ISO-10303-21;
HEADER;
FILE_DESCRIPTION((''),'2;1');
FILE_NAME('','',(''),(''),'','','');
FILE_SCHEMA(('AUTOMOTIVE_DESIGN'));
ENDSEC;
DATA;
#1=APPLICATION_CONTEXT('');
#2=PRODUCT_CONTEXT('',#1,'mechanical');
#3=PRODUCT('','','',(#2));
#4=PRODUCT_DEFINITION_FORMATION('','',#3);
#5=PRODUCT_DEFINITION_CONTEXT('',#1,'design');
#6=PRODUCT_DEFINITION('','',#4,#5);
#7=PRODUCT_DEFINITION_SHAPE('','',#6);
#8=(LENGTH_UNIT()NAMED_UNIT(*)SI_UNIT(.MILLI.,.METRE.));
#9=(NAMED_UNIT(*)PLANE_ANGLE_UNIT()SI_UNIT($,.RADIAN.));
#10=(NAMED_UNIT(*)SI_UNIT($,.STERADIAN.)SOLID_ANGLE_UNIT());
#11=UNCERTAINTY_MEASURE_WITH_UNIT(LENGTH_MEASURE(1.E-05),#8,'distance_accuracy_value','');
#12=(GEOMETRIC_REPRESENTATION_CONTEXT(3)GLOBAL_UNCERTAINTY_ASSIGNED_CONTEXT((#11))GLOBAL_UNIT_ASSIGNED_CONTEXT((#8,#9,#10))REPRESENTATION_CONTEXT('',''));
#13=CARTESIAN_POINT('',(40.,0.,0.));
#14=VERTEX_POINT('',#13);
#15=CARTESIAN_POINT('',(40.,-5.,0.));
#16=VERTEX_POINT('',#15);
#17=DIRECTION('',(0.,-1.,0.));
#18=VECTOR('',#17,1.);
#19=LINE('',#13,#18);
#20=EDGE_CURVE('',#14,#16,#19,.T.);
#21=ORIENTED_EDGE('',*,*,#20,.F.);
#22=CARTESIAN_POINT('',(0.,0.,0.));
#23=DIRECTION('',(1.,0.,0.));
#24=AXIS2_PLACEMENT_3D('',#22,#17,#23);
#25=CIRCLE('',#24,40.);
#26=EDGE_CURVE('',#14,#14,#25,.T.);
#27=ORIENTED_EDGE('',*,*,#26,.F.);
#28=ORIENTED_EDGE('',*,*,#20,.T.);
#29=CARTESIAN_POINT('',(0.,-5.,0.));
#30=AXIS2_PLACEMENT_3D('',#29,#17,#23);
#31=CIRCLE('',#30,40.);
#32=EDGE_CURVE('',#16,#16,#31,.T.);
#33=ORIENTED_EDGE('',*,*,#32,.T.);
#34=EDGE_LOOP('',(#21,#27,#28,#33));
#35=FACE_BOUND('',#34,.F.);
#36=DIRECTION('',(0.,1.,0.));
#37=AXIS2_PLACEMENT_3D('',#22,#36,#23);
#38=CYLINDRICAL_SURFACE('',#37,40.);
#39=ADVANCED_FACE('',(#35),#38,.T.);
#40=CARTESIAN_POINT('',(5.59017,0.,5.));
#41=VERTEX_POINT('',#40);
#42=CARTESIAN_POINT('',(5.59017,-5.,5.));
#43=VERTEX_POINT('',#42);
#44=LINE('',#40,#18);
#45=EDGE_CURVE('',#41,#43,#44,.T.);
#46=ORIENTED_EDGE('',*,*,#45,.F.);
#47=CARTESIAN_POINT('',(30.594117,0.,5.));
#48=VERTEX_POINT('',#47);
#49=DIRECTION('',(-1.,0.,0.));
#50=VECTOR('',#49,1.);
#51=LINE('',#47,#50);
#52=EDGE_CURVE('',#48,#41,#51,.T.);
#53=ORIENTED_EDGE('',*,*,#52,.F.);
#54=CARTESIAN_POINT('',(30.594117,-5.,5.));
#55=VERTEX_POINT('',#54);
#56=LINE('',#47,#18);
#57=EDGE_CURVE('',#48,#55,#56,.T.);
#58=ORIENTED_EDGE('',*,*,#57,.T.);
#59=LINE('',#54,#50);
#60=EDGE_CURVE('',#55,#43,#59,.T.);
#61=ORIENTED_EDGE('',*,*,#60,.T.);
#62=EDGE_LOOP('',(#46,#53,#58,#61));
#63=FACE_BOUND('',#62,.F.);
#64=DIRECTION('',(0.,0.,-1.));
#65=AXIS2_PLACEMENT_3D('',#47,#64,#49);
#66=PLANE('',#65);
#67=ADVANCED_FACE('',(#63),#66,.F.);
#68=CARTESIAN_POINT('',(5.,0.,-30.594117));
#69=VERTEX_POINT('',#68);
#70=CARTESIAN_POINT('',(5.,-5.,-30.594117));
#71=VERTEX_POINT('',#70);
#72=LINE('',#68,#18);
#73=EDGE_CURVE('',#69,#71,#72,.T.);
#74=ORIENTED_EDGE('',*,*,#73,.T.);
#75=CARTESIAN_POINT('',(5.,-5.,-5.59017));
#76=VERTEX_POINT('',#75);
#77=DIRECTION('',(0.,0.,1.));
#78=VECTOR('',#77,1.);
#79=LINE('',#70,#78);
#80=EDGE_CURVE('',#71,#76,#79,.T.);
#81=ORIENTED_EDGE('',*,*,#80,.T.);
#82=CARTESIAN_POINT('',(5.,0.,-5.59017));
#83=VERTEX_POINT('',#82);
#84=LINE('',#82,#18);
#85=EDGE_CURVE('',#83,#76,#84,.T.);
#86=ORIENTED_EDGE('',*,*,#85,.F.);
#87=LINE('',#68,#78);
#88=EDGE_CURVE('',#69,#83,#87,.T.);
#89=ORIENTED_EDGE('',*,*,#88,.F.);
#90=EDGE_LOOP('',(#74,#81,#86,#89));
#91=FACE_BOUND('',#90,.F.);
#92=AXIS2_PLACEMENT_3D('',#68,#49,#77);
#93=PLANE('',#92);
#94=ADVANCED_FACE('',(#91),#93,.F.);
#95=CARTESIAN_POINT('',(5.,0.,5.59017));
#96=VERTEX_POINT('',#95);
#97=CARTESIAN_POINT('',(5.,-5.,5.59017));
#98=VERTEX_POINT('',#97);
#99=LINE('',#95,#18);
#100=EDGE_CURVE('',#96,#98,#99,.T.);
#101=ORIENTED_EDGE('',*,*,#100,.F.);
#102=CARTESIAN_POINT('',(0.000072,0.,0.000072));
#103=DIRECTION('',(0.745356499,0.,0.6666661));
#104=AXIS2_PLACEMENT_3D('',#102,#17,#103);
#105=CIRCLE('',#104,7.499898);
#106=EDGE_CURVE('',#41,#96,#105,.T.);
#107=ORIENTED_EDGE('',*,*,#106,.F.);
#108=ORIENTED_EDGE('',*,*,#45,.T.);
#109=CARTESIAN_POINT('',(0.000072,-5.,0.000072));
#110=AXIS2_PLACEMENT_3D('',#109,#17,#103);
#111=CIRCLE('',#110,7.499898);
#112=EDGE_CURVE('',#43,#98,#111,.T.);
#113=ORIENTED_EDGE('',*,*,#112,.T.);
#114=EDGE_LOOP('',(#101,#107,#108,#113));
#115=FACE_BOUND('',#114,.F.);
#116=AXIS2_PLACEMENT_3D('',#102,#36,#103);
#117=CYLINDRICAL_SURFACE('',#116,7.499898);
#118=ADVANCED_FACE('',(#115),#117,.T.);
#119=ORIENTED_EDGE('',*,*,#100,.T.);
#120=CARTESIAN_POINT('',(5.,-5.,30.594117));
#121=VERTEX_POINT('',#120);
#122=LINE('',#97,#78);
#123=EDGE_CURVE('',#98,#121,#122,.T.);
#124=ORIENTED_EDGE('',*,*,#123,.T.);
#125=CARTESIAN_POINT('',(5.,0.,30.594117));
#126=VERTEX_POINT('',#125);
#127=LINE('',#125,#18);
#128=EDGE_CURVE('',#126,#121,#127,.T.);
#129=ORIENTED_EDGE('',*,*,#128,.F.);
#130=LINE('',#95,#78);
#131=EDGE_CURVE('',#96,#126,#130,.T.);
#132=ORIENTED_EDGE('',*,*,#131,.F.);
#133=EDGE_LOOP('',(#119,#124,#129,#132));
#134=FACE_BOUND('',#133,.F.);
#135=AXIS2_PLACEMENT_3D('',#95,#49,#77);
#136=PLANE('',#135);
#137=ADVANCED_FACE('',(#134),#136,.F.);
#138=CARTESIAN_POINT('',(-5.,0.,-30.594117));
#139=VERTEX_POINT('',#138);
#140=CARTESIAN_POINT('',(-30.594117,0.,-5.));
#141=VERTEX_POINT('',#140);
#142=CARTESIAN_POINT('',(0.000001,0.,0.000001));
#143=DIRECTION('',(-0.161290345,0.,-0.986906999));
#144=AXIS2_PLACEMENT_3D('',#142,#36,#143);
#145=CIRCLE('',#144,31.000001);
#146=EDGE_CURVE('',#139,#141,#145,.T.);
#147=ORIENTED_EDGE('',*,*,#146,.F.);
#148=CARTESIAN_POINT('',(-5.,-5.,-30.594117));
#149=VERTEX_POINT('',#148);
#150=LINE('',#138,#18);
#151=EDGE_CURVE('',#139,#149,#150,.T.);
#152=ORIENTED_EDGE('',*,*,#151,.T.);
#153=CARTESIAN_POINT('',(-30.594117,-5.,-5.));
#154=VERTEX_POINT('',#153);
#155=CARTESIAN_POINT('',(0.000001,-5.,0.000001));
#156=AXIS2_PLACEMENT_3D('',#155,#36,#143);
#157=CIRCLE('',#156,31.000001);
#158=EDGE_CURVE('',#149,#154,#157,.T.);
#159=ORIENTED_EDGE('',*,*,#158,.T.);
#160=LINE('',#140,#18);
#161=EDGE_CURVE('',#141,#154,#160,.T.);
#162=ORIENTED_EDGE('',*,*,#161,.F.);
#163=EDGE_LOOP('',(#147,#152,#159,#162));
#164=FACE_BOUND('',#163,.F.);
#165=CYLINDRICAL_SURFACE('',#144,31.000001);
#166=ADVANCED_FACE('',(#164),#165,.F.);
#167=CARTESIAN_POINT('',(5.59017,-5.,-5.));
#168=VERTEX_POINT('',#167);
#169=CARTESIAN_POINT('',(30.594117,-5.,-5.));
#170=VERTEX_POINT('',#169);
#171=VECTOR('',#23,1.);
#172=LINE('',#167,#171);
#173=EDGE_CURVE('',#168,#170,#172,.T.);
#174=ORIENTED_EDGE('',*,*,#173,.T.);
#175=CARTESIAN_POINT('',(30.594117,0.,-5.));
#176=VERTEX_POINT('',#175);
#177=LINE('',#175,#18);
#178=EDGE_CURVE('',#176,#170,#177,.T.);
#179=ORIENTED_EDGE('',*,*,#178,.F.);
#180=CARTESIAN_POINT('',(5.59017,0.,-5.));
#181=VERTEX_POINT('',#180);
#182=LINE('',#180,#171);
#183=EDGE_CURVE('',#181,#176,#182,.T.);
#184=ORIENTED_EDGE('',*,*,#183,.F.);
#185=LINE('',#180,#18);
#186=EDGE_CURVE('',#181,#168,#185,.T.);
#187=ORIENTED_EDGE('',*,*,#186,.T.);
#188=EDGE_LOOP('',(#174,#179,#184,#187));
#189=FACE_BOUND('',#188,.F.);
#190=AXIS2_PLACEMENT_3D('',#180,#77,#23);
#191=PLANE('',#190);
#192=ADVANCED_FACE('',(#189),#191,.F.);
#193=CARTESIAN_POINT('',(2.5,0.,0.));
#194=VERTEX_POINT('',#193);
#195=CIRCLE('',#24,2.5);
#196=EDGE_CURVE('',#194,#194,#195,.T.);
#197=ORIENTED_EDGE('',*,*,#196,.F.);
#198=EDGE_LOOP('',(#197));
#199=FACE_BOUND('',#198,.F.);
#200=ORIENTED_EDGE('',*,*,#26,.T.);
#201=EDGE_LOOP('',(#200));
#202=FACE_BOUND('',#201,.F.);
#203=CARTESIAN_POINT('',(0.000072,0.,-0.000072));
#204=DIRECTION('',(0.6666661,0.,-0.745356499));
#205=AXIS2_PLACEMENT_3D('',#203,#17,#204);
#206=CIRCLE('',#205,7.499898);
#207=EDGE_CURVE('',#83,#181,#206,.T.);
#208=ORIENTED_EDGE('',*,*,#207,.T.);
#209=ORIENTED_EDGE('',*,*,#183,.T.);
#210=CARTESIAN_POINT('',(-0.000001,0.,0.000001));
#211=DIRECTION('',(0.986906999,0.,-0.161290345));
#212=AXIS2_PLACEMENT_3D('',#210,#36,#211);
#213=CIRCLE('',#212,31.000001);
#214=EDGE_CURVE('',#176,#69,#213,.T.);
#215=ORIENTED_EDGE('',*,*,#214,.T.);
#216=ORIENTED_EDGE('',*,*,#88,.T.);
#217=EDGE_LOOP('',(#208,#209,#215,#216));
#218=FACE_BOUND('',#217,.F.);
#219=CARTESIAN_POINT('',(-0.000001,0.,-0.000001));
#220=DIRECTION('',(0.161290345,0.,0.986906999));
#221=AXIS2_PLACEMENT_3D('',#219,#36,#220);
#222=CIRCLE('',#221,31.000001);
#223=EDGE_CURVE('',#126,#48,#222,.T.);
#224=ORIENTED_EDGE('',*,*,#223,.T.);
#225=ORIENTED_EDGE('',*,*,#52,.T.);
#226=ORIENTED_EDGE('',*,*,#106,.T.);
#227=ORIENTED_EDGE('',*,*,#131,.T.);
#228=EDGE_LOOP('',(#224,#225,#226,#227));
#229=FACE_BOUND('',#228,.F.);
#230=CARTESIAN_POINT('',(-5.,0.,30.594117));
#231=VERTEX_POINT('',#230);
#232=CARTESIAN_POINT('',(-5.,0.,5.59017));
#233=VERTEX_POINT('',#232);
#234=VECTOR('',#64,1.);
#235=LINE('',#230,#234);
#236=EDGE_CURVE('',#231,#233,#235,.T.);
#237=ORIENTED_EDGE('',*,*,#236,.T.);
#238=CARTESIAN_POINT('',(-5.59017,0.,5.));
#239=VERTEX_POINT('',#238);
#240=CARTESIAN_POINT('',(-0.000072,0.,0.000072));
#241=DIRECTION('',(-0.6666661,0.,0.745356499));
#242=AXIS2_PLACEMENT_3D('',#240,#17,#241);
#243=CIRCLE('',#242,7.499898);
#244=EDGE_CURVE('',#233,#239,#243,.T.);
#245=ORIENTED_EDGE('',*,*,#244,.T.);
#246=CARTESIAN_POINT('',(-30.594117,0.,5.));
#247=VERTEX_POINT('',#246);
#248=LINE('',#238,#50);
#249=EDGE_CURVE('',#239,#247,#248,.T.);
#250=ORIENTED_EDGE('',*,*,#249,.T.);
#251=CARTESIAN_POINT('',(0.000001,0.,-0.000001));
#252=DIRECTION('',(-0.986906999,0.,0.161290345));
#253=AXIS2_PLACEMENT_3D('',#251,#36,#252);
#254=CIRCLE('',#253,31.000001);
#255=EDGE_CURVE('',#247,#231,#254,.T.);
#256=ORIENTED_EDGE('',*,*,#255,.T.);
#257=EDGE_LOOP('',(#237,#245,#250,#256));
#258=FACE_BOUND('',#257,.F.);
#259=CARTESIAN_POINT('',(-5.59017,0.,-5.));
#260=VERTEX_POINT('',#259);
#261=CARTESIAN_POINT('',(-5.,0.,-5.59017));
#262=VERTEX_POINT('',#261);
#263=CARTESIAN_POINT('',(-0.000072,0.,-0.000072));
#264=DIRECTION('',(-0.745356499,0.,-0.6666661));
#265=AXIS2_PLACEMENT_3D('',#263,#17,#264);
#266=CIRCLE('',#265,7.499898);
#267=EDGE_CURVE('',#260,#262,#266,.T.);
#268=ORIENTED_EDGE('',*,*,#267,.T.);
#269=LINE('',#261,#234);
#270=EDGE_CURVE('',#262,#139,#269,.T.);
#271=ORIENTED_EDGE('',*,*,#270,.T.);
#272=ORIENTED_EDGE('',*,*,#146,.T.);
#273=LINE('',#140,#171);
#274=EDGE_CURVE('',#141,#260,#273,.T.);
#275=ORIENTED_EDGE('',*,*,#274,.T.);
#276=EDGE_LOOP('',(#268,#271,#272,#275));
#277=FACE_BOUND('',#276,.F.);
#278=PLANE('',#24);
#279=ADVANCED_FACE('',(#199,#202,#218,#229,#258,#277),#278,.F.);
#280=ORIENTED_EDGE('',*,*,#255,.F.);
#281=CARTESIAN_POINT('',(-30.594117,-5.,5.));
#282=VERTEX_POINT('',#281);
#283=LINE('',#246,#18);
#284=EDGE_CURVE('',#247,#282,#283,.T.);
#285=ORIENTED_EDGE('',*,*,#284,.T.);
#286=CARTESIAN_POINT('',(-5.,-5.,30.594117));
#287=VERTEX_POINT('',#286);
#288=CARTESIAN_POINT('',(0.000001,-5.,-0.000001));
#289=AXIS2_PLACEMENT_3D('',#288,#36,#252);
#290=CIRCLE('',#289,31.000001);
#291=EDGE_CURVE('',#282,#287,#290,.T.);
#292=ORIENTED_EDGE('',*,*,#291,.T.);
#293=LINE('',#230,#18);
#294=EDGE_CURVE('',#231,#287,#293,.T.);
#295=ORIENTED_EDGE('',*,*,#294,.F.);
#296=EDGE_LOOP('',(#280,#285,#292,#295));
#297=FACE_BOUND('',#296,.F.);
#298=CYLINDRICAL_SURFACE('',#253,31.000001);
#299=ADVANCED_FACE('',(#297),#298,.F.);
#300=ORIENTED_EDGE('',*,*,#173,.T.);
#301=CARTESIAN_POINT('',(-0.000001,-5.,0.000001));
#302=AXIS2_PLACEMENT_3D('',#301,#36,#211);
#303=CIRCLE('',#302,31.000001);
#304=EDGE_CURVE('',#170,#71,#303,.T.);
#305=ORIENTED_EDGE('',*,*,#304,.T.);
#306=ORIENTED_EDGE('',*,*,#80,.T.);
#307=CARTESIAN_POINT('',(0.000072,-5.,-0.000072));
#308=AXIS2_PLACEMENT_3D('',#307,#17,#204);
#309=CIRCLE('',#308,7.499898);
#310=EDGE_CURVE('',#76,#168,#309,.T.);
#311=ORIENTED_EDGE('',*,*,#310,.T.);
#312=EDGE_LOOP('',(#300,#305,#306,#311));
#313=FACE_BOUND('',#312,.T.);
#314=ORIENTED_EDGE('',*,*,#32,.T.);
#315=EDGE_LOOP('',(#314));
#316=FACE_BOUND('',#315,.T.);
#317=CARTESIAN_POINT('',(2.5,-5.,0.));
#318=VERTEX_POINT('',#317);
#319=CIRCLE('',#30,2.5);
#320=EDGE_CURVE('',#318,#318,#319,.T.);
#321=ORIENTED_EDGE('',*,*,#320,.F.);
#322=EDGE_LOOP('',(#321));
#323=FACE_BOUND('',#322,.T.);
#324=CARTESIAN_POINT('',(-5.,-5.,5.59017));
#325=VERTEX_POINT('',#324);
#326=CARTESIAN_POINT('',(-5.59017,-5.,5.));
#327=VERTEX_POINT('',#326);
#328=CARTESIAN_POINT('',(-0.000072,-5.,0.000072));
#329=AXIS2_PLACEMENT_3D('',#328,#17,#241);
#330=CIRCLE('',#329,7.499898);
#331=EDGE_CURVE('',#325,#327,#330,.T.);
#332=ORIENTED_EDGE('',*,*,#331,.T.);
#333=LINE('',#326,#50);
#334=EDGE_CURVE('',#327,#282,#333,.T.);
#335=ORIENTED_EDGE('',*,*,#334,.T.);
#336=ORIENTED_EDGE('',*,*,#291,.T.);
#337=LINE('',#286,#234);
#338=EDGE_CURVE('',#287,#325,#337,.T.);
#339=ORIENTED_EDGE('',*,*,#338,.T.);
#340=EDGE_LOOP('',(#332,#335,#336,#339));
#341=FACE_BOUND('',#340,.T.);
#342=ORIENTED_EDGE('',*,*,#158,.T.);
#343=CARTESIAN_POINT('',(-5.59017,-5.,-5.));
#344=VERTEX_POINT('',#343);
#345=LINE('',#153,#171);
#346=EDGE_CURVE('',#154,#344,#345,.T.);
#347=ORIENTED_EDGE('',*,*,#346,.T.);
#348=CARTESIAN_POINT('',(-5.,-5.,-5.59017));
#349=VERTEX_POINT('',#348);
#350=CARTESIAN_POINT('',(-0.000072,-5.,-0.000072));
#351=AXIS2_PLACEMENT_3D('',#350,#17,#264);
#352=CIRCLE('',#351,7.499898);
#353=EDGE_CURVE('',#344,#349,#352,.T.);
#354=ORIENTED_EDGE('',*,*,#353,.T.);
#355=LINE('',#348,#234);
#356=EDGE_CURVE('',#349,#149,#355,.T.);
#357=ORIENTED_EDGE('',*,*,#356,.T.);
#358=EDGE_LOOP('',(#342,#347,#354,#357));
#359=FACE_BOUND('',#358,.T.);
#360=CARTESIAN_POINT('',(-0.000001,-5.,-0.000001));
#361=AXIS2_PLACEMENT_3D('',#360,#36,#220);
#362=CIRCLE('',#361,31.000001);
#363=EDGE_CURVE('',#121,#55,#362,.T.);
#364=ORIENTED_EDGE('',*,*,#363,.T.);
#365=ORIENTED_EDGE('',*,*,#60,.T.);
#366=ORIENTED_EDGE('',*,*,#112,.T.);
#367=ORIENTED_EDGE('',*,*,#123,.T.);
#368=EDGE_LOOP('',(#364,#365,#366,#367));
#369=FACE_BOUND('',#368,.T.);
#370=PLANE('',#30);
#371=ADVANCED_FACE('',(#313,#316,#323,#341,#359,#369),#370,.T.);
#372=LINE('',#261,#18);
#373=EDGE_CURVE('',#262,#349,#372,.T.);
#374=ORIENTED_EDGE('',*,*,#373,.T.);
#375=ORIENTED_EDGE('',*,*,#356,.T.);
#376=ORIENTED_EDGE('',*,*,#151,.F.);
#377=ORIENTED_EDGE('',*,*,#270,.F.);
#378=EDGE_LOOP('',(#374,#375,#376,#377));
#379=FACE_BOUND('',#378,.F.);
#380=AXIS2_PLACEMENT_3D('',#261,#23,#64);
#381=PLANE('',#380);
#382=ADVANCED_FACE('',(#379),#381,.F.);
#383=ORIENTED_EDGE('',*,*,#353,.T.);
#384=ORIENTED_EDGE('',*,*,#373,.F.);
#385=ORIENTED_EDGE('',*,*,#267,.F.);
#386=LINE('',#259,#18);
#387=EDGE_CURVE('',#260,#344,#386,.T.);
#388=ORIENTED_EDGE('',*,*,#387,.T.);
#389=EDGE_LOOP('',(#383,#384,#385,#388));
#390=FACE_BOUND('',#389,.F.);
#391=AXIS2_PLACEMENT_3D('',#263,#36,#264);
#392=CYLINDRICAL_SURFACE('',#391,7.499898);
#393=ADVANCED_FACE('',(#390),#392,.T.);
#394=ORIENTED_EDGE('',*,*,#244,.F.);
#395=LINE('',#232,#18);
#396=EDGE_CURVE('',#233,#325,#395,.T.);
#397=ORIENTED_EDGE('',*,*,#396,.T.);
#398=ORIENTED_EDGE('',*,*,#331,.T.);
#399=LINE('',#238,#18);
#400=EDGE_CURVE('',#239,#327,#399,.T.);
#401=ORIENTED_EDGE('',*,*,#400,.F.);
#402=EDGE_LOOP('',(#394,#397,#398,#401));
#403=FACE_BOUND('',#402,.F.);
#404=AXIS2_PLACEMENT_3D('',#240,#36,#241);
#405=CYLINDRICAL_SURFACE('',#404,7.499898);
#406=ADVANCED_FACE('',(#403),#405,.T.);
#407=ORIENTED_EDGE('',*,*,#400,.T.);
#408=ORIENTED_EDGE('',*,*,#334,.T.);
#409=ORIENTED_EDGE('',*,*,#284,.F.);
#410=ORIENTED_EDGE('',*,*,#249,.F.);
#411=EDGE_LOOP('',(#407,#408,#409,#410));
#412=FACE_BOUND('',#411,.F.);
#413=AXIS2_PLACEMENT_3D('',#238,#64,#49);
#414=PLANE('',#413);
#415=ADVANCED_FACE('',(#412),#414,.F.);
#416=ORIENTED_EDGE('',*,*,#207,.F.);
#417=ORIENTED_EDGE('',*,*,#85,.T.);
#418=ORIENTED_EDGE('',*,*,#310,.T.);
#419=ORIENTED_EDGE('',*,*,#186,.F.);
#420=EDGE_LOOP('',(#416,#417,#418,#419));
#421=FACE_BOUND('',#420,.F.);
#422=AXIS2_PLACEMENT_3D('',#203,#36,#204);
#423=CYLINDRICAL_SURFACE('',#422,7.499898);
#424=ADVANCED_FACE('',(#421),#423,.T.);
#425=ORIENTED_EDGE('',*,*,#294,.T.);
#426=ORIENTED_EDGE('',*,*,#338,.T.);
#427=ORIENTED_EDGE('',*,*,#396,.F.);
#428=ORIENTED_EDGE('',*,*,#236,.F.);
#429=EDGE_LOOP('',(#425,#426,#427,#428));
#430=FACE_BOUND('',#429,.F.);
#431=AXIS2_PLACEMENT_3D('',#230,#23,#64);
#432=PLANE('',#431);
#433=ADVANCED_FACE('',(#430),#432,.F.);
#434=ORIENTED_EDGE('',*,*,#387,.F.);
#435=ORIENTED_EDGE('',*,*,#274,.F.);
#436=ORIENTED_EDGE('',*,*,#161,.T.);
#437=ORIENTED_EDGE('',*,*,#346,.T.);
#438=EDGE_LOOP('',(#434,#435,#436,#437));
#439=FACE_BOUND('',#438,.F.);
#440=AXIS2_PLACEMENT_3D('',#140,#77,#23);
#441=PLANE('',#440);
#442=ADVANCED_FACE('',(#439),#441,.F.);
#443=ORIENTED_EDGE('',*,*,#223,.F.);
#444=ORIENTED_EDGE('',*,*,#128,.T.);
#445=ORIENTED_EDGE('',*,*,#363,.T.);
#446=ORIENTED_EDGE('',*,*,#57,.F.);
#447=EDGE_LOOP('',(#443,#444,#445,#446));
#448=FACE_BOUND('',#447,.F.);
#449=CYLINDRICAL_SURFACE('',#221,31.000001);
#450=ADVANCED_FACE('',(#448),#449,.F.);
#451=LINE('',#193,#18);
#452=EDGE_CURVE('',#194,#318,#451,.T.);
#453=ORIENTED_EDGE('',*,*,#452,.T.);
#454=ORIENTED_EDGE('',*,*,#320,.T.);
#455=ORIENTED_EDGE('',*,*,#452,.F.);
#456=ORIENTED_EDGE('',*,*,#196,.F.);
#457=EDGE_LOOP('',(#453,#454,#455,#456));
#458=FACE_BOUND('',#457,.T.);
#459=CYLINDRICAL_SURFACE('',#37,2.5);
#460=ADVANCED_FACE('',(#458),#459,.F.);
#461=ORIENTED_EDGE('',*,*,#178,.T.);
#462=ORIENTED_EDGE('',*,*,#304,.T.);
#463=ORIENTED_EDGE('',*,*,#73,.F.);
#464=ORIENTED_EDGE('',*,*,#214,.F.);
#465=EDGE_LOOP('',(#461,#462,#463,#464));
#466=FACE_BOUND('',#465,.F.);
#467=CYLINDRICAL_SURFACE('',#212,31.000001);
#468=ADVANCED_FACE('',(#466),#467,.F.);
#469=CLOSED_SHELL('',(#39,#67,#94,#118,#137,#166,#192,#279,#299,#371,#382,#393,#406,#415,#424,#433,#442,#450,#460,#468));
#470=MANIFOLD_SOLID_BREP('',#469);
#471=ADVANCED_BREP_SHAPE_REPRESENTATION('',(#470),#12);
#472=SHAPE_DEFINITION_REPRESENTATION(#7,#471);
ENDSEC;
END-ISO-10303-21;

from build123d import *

# Parameters (mm, degrees)
F0_R     = 40
F0_R_2   = 2.5
F1_DEPTH = 5


with BuildPart() as f1:
    # F0 (on Front) → F1 (new body)
    with BuildSketch(Plane.XZ):
        Circle(F0_R)
        with BuildLine():
            ThreePointArc((-5, -30.594117), (-21.92031, -21.92031), (-30.594117, -5))
            Line((-30.594117, -5), (-5.59017, -5))
            ThreePointArc((-5.59017, -5), (-5.303301, -5.303301), (-5, -5.59017))
            Line((-5, -5.59017), (-5, -30.594117))
        make_face(mode=Mode.SUBTRACT)
        with BuildLine():
            ThreePointArc((5, -5.59017), (5.303301, -5.303301), (5.59017, -5))
            Line((5.59017, -5), (30.594117, -5))
            ThreePointArc((30.594117, -5), (21.92031, -21.92031), (5, -30.594117))
            Line((5, -30.594117), (5, -5.59017))
        make_face(mode=Mode.SUBTRACT)
        with BuildLine():
            ThreePointArc((-5, 5.59017), (-5.303301, 5.303301), (-5.59017, 5))
            Line((-5.59017, 5), (-30.594117, 5))
            ThreePointArc((-30.594117, 5), (-21.92031, 21.92031), (-5, 30.594117))
            Line((-5, 30.594117), (-5, 5.59017))
        make_face(mode=Mode.SUBTRACT)
        Circle(F0_R_2, mode=Mode.SUBTRACT)
        with BuildLine():
            Line((30.594117, 5), (5.59017, 5))
            ThreePointArc((5.59017, 5), (5.303301, 5.303301), (5, 5.59017))
            Line((5, 5.59017), (5, 30.594117))
            ThreePointArc((5, 30.594117), (21.92031, 21.92031), (30.594117, 5))
        make_face(mode=Mode.SUBTRACT)
    extrude(amount=F1_DEPTH)


solid = f1.part
